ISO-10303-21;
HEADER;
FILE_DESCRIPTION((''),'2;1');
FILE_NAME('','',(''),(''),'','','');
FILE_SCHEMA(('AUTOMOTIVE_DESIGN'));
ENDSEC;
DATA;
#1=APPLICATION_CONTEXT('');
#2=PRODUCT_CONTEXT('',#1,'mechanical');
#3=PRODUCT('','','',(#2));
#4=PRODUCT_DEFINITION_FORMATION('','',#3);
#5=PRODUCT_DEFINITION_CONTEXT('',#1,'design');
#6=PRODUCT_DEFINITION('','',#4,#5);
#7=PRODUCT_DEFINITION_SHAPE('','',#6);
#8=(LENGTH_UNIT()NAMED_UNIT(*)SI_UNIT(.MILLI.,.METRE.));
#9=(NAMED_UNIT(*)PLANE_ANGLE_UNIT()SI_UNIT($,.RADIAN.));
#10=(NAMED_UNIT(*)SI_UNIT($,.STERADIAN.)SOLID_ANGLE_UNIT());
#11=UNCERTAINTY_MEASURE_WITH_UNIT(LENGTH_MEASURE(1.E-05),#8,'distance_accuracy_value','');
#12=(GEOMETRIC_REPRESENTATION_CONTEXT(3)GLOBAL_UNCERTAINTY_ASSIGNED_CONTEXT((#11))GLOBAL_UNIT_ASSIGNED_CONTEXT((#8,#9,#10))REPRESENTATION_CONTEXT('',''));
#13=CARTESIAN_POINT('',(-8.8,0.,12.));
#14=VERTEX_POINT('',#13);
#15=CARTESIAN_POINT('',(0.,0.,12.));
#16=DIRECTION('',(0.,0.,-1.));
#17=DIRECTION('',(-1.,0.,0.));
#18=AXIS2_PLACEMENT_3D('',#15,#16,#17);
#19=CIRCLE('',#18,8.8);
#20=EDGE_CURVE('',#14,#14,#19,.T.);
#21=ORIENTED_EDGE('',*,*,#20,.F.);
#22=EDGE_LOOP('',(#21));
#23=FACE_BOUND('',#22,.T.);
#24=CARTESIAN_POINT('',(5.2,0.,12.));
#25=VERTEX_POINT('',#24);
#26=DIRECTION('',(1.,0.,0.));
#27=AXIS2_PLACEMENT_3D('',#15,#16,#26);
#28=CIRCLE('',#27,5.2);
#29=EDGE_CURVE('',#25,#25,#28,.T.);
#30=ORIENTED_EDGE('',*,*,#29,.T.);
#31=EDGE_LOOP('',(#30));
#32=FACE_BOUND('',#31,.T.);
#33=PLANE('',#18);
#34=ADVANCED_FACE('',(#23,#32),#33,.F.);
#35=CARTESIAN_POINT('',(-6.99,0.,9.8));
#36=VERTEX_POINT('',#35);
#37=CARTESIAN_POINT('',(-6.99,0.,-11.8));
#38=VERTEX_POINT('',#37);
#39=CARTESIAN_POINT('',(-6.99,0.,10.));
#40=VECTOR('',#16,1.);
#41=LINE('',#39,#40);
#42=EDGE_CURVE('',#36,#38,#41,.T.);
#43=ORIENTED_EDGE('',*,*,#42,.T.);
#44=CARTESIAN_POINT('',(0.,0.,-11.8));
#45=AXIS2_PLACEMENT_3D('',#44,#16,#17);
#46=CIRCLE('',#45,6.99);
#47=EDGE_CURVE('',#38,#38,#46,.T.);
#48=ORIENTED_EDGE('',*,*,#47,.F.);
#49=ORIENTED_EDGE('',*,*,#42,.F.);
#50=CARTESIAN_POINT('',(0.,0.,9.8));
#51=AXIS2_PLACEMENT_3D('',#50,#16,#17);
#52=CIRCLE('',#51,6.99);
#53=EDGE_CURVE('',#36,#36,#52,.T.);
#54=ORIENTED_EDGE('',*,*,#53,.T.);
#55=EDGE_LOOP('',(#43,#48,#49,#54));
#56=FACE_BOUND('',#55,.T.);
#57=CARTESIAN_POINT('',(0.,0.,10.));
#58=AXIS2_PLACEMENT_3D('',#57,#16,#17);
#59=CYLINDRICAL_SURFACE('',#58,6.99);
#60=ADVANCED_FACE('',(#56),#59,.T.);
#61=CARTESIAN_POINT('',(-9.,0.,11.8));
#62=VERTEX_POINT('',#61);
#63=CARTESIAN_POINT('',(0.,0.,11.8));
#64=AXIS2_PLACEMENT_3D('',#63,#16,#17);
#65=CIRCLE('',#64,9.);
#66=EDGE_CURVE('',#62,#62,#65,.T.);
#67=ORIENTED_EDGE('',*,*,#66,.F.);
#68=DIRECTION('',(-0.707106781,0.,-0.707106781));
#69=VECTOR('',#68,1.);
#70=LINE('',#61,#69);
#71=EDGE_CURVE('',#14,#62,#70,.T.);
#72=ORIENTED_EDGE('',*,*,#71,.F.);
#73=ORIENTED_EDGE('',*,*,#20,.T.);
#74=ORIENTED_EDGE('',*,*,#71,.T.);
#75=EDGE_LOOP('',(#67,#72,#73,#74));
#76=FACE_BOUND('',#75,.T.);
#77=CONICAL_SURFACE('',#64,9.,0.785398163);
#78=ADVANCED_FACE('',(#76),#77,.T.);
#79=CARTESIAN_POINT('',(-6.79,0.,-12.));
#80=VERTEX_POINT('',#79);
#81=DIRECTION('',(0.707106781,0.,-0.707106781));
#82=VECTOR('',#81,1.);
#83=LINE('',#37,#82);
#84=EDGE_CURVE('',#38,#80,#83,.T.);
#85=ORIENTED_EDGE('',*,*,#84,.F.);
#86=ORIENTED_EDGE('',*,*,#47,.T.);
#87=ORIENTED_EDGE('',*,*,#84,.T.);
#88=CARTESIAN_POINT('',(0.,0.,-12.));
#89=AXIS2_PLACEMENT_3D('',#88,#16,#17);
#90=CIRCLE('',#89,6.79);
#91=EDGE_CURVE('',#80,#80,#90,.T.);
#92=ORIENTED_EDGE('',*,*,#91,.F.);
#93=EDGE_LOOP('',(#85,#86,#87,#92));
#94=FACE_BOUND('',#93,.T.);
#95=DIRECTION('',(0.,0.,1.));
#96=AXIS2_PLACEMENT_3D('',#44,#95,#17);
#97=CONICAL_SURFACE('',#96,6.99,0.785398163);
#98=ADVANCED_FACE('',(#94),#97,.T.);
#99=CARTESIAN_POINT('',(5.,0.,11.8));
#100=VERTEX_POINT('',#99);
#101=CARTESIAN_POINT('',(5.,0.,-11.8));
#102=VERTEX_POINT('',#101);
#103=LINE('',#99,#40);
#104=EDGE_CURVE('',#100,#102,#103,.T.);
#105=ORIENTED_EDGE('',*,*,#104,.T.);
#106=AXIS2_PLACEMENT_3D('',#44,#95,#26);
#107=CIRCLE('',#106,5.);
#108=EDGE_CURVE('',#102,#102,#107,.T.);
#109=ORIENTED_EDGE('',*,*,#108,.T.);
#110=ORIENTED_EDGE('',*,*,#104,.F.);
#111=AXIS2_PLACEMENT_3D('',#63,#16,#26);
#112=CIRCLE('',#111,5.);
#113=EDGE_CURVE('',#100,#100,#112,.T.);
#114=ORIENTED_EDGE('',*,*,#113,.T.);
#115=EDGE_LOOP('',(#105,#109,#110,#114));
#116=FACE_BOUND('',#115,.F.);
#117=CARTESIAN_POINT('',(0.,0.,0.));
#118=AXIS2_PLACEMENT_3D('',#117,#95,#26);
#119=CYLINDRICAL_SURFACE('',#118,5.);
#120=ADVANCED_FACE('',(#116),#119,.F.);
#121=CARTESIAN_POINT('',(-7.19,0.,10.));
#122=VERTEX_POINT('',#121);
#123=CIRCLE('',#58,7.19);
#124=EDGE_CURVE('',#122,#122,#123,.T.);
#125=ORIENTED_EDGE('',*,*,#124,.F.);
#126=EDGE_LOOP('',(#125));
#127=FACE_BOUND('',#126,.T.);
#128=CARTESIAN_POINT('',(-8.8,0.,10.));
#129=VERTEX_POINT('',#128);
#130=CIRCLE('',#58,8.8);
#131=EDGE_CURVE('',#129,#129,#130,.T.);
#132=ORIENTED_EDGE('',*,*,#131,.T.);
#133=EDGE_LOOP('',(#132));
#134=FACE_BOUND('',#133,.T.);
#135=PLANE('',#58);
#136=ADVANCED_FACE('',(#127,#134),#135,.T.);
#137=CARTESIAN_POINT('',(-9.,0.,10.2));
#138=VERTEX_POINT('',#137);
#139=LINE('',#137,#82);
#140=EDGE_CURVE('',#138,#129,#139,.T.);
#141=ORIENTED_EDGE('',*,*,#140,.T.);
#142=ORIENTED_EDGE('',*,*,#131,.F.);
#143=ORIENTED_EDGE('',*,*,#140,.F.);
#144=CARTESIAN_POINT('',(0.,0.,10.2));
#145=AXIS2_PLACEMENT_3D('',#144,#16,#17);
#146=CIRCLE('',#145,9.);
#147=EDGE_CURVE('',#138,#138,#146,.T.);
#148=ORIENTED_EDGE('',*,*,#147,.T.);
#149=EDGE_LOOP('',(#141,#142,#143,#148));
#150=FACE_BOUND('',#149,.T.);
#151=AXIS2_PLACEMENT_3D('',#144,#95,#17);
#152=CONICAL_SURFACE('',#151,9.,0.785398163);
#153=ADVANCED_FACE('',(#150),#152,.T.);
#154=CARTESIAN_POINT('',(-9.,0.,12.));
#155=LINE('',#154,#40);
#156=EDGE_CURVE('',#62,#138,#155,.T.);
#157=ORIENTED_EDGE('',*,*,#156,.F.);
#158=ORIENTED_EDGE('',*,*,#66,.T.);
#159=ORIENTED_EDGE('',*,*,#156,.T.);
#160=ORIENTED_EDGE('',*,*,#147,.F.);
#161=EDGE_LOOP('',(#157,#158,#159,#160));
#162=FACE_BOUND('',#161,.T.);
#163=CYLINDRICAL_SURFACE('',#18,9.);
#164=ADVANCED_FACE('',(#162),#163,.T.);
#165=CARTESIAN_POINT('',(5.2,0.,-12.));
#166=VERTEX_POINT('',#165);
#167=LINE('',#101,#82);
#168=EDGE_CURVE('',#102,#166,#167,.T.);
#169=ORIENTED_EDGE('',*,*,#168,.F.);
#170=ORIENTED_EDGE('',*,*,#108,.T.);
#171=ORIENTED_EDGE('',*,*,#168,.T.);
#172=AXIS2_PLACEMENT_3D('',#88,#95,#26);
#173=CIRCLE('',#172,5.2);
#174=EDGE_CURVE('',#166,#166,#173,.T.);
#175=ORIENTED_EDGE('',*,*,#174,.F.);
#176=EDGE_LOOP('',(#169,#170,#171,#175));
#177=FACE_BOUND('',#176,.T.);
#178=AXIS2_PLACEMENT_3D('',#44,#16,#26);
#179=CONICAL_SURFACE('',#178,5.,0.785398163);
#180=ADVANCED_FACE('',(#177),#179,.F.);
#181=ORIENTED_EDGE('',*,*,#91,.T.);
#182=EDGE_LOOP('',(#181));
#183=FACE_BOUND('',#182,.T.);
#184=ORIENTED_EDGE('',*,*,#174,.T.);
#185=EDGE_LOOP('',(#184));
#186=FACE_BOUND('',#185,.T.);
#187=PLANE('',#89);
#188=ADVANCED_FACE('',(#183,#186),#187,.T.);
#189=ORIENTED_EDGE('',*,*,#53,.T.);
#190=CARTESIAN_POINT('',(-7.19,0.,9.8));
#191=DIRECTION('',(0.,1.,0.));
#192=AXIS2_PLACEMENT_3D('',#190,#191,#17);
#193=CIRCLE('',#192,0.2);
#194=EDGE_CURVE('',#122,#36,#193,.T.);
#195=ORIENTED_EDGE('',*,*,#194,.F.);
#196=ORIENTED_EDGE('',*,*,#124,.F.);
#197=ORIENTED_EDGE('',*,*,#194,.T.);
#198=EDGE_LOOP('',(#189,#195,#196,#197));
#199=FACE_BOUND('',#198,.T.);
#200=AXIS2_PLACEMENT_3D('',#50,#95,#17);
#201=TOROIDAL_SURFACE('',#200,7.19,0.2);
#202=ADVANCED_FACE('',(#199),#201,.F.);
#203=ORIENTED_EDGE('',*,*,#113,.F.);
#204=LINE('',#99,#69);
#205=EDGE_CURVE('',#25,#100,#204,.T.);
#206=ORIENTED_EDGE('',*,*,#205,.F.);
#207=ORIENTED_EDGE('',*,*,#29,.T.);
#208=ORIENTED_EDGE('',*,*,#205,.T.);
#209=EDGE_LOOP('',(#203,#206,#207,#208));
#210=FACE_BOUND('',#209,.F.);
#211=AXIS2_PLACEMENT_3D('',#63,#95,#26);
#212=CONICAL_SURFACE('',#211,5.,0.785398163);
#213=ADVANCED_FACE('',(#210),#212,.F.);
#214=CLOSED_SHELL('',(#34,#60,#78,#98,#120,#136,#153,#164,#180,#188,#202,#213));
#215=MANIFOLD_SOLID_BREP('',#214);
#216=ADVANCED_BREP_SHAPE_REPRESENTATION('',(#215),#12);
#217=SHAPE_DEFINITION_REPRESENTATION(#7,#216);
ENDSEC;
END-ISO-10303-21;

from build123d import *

# Parameters (mm, degrees)
F2_R          = 5
F3_DEPTH      = 12.001
F3_DEPTH_BACK = 25
F4_SIZE       = 0.2
F5_R          = 0.2


with BuildPart() as f1:
    # F0 (on Front) → F1 (revolve)
    with BuildSketch(Plane.XZ):
        Polygon((0, -12), (0, 12), (-9, 12), (-9, 10), (-6.99, 10), (-6.99, -12), align=None)
    revolve(axis=Axis((0, 0, -0.6447483601), (0, 0, -1)))

    # F2 (on Top) → F3 (cut, two sides)
    with BuildSketch(Plane.XY) as f3_sk:
        Circle(F2_R)
    extrude(amount=-F3_DEPTH, mode=Mode.SUBTRACT)
    extrude(f3_sk.sketch, amount=F3_DEPTH_BACK, mode=Mode.SUBTRACT)

    # F4
    f4_edges = [f1.edges().sort_by_distance(p)[0] for p in [
        (-5, 0, -12),
        (6.99, 0, -12),
        (9, 0, 10),
        (9, 0, 12),
        (-5, 0, 12),
    ]]
    chamfer(f4_edges, length=F4_SIZE)

    # F5
    f5_edges = [f1.edges().sort_by_distance(p)[0] for p in [
        (6.99, 0, 10),
    ]]
    fillet(f5_edges, radius=F5_R)


solid = f1.part
